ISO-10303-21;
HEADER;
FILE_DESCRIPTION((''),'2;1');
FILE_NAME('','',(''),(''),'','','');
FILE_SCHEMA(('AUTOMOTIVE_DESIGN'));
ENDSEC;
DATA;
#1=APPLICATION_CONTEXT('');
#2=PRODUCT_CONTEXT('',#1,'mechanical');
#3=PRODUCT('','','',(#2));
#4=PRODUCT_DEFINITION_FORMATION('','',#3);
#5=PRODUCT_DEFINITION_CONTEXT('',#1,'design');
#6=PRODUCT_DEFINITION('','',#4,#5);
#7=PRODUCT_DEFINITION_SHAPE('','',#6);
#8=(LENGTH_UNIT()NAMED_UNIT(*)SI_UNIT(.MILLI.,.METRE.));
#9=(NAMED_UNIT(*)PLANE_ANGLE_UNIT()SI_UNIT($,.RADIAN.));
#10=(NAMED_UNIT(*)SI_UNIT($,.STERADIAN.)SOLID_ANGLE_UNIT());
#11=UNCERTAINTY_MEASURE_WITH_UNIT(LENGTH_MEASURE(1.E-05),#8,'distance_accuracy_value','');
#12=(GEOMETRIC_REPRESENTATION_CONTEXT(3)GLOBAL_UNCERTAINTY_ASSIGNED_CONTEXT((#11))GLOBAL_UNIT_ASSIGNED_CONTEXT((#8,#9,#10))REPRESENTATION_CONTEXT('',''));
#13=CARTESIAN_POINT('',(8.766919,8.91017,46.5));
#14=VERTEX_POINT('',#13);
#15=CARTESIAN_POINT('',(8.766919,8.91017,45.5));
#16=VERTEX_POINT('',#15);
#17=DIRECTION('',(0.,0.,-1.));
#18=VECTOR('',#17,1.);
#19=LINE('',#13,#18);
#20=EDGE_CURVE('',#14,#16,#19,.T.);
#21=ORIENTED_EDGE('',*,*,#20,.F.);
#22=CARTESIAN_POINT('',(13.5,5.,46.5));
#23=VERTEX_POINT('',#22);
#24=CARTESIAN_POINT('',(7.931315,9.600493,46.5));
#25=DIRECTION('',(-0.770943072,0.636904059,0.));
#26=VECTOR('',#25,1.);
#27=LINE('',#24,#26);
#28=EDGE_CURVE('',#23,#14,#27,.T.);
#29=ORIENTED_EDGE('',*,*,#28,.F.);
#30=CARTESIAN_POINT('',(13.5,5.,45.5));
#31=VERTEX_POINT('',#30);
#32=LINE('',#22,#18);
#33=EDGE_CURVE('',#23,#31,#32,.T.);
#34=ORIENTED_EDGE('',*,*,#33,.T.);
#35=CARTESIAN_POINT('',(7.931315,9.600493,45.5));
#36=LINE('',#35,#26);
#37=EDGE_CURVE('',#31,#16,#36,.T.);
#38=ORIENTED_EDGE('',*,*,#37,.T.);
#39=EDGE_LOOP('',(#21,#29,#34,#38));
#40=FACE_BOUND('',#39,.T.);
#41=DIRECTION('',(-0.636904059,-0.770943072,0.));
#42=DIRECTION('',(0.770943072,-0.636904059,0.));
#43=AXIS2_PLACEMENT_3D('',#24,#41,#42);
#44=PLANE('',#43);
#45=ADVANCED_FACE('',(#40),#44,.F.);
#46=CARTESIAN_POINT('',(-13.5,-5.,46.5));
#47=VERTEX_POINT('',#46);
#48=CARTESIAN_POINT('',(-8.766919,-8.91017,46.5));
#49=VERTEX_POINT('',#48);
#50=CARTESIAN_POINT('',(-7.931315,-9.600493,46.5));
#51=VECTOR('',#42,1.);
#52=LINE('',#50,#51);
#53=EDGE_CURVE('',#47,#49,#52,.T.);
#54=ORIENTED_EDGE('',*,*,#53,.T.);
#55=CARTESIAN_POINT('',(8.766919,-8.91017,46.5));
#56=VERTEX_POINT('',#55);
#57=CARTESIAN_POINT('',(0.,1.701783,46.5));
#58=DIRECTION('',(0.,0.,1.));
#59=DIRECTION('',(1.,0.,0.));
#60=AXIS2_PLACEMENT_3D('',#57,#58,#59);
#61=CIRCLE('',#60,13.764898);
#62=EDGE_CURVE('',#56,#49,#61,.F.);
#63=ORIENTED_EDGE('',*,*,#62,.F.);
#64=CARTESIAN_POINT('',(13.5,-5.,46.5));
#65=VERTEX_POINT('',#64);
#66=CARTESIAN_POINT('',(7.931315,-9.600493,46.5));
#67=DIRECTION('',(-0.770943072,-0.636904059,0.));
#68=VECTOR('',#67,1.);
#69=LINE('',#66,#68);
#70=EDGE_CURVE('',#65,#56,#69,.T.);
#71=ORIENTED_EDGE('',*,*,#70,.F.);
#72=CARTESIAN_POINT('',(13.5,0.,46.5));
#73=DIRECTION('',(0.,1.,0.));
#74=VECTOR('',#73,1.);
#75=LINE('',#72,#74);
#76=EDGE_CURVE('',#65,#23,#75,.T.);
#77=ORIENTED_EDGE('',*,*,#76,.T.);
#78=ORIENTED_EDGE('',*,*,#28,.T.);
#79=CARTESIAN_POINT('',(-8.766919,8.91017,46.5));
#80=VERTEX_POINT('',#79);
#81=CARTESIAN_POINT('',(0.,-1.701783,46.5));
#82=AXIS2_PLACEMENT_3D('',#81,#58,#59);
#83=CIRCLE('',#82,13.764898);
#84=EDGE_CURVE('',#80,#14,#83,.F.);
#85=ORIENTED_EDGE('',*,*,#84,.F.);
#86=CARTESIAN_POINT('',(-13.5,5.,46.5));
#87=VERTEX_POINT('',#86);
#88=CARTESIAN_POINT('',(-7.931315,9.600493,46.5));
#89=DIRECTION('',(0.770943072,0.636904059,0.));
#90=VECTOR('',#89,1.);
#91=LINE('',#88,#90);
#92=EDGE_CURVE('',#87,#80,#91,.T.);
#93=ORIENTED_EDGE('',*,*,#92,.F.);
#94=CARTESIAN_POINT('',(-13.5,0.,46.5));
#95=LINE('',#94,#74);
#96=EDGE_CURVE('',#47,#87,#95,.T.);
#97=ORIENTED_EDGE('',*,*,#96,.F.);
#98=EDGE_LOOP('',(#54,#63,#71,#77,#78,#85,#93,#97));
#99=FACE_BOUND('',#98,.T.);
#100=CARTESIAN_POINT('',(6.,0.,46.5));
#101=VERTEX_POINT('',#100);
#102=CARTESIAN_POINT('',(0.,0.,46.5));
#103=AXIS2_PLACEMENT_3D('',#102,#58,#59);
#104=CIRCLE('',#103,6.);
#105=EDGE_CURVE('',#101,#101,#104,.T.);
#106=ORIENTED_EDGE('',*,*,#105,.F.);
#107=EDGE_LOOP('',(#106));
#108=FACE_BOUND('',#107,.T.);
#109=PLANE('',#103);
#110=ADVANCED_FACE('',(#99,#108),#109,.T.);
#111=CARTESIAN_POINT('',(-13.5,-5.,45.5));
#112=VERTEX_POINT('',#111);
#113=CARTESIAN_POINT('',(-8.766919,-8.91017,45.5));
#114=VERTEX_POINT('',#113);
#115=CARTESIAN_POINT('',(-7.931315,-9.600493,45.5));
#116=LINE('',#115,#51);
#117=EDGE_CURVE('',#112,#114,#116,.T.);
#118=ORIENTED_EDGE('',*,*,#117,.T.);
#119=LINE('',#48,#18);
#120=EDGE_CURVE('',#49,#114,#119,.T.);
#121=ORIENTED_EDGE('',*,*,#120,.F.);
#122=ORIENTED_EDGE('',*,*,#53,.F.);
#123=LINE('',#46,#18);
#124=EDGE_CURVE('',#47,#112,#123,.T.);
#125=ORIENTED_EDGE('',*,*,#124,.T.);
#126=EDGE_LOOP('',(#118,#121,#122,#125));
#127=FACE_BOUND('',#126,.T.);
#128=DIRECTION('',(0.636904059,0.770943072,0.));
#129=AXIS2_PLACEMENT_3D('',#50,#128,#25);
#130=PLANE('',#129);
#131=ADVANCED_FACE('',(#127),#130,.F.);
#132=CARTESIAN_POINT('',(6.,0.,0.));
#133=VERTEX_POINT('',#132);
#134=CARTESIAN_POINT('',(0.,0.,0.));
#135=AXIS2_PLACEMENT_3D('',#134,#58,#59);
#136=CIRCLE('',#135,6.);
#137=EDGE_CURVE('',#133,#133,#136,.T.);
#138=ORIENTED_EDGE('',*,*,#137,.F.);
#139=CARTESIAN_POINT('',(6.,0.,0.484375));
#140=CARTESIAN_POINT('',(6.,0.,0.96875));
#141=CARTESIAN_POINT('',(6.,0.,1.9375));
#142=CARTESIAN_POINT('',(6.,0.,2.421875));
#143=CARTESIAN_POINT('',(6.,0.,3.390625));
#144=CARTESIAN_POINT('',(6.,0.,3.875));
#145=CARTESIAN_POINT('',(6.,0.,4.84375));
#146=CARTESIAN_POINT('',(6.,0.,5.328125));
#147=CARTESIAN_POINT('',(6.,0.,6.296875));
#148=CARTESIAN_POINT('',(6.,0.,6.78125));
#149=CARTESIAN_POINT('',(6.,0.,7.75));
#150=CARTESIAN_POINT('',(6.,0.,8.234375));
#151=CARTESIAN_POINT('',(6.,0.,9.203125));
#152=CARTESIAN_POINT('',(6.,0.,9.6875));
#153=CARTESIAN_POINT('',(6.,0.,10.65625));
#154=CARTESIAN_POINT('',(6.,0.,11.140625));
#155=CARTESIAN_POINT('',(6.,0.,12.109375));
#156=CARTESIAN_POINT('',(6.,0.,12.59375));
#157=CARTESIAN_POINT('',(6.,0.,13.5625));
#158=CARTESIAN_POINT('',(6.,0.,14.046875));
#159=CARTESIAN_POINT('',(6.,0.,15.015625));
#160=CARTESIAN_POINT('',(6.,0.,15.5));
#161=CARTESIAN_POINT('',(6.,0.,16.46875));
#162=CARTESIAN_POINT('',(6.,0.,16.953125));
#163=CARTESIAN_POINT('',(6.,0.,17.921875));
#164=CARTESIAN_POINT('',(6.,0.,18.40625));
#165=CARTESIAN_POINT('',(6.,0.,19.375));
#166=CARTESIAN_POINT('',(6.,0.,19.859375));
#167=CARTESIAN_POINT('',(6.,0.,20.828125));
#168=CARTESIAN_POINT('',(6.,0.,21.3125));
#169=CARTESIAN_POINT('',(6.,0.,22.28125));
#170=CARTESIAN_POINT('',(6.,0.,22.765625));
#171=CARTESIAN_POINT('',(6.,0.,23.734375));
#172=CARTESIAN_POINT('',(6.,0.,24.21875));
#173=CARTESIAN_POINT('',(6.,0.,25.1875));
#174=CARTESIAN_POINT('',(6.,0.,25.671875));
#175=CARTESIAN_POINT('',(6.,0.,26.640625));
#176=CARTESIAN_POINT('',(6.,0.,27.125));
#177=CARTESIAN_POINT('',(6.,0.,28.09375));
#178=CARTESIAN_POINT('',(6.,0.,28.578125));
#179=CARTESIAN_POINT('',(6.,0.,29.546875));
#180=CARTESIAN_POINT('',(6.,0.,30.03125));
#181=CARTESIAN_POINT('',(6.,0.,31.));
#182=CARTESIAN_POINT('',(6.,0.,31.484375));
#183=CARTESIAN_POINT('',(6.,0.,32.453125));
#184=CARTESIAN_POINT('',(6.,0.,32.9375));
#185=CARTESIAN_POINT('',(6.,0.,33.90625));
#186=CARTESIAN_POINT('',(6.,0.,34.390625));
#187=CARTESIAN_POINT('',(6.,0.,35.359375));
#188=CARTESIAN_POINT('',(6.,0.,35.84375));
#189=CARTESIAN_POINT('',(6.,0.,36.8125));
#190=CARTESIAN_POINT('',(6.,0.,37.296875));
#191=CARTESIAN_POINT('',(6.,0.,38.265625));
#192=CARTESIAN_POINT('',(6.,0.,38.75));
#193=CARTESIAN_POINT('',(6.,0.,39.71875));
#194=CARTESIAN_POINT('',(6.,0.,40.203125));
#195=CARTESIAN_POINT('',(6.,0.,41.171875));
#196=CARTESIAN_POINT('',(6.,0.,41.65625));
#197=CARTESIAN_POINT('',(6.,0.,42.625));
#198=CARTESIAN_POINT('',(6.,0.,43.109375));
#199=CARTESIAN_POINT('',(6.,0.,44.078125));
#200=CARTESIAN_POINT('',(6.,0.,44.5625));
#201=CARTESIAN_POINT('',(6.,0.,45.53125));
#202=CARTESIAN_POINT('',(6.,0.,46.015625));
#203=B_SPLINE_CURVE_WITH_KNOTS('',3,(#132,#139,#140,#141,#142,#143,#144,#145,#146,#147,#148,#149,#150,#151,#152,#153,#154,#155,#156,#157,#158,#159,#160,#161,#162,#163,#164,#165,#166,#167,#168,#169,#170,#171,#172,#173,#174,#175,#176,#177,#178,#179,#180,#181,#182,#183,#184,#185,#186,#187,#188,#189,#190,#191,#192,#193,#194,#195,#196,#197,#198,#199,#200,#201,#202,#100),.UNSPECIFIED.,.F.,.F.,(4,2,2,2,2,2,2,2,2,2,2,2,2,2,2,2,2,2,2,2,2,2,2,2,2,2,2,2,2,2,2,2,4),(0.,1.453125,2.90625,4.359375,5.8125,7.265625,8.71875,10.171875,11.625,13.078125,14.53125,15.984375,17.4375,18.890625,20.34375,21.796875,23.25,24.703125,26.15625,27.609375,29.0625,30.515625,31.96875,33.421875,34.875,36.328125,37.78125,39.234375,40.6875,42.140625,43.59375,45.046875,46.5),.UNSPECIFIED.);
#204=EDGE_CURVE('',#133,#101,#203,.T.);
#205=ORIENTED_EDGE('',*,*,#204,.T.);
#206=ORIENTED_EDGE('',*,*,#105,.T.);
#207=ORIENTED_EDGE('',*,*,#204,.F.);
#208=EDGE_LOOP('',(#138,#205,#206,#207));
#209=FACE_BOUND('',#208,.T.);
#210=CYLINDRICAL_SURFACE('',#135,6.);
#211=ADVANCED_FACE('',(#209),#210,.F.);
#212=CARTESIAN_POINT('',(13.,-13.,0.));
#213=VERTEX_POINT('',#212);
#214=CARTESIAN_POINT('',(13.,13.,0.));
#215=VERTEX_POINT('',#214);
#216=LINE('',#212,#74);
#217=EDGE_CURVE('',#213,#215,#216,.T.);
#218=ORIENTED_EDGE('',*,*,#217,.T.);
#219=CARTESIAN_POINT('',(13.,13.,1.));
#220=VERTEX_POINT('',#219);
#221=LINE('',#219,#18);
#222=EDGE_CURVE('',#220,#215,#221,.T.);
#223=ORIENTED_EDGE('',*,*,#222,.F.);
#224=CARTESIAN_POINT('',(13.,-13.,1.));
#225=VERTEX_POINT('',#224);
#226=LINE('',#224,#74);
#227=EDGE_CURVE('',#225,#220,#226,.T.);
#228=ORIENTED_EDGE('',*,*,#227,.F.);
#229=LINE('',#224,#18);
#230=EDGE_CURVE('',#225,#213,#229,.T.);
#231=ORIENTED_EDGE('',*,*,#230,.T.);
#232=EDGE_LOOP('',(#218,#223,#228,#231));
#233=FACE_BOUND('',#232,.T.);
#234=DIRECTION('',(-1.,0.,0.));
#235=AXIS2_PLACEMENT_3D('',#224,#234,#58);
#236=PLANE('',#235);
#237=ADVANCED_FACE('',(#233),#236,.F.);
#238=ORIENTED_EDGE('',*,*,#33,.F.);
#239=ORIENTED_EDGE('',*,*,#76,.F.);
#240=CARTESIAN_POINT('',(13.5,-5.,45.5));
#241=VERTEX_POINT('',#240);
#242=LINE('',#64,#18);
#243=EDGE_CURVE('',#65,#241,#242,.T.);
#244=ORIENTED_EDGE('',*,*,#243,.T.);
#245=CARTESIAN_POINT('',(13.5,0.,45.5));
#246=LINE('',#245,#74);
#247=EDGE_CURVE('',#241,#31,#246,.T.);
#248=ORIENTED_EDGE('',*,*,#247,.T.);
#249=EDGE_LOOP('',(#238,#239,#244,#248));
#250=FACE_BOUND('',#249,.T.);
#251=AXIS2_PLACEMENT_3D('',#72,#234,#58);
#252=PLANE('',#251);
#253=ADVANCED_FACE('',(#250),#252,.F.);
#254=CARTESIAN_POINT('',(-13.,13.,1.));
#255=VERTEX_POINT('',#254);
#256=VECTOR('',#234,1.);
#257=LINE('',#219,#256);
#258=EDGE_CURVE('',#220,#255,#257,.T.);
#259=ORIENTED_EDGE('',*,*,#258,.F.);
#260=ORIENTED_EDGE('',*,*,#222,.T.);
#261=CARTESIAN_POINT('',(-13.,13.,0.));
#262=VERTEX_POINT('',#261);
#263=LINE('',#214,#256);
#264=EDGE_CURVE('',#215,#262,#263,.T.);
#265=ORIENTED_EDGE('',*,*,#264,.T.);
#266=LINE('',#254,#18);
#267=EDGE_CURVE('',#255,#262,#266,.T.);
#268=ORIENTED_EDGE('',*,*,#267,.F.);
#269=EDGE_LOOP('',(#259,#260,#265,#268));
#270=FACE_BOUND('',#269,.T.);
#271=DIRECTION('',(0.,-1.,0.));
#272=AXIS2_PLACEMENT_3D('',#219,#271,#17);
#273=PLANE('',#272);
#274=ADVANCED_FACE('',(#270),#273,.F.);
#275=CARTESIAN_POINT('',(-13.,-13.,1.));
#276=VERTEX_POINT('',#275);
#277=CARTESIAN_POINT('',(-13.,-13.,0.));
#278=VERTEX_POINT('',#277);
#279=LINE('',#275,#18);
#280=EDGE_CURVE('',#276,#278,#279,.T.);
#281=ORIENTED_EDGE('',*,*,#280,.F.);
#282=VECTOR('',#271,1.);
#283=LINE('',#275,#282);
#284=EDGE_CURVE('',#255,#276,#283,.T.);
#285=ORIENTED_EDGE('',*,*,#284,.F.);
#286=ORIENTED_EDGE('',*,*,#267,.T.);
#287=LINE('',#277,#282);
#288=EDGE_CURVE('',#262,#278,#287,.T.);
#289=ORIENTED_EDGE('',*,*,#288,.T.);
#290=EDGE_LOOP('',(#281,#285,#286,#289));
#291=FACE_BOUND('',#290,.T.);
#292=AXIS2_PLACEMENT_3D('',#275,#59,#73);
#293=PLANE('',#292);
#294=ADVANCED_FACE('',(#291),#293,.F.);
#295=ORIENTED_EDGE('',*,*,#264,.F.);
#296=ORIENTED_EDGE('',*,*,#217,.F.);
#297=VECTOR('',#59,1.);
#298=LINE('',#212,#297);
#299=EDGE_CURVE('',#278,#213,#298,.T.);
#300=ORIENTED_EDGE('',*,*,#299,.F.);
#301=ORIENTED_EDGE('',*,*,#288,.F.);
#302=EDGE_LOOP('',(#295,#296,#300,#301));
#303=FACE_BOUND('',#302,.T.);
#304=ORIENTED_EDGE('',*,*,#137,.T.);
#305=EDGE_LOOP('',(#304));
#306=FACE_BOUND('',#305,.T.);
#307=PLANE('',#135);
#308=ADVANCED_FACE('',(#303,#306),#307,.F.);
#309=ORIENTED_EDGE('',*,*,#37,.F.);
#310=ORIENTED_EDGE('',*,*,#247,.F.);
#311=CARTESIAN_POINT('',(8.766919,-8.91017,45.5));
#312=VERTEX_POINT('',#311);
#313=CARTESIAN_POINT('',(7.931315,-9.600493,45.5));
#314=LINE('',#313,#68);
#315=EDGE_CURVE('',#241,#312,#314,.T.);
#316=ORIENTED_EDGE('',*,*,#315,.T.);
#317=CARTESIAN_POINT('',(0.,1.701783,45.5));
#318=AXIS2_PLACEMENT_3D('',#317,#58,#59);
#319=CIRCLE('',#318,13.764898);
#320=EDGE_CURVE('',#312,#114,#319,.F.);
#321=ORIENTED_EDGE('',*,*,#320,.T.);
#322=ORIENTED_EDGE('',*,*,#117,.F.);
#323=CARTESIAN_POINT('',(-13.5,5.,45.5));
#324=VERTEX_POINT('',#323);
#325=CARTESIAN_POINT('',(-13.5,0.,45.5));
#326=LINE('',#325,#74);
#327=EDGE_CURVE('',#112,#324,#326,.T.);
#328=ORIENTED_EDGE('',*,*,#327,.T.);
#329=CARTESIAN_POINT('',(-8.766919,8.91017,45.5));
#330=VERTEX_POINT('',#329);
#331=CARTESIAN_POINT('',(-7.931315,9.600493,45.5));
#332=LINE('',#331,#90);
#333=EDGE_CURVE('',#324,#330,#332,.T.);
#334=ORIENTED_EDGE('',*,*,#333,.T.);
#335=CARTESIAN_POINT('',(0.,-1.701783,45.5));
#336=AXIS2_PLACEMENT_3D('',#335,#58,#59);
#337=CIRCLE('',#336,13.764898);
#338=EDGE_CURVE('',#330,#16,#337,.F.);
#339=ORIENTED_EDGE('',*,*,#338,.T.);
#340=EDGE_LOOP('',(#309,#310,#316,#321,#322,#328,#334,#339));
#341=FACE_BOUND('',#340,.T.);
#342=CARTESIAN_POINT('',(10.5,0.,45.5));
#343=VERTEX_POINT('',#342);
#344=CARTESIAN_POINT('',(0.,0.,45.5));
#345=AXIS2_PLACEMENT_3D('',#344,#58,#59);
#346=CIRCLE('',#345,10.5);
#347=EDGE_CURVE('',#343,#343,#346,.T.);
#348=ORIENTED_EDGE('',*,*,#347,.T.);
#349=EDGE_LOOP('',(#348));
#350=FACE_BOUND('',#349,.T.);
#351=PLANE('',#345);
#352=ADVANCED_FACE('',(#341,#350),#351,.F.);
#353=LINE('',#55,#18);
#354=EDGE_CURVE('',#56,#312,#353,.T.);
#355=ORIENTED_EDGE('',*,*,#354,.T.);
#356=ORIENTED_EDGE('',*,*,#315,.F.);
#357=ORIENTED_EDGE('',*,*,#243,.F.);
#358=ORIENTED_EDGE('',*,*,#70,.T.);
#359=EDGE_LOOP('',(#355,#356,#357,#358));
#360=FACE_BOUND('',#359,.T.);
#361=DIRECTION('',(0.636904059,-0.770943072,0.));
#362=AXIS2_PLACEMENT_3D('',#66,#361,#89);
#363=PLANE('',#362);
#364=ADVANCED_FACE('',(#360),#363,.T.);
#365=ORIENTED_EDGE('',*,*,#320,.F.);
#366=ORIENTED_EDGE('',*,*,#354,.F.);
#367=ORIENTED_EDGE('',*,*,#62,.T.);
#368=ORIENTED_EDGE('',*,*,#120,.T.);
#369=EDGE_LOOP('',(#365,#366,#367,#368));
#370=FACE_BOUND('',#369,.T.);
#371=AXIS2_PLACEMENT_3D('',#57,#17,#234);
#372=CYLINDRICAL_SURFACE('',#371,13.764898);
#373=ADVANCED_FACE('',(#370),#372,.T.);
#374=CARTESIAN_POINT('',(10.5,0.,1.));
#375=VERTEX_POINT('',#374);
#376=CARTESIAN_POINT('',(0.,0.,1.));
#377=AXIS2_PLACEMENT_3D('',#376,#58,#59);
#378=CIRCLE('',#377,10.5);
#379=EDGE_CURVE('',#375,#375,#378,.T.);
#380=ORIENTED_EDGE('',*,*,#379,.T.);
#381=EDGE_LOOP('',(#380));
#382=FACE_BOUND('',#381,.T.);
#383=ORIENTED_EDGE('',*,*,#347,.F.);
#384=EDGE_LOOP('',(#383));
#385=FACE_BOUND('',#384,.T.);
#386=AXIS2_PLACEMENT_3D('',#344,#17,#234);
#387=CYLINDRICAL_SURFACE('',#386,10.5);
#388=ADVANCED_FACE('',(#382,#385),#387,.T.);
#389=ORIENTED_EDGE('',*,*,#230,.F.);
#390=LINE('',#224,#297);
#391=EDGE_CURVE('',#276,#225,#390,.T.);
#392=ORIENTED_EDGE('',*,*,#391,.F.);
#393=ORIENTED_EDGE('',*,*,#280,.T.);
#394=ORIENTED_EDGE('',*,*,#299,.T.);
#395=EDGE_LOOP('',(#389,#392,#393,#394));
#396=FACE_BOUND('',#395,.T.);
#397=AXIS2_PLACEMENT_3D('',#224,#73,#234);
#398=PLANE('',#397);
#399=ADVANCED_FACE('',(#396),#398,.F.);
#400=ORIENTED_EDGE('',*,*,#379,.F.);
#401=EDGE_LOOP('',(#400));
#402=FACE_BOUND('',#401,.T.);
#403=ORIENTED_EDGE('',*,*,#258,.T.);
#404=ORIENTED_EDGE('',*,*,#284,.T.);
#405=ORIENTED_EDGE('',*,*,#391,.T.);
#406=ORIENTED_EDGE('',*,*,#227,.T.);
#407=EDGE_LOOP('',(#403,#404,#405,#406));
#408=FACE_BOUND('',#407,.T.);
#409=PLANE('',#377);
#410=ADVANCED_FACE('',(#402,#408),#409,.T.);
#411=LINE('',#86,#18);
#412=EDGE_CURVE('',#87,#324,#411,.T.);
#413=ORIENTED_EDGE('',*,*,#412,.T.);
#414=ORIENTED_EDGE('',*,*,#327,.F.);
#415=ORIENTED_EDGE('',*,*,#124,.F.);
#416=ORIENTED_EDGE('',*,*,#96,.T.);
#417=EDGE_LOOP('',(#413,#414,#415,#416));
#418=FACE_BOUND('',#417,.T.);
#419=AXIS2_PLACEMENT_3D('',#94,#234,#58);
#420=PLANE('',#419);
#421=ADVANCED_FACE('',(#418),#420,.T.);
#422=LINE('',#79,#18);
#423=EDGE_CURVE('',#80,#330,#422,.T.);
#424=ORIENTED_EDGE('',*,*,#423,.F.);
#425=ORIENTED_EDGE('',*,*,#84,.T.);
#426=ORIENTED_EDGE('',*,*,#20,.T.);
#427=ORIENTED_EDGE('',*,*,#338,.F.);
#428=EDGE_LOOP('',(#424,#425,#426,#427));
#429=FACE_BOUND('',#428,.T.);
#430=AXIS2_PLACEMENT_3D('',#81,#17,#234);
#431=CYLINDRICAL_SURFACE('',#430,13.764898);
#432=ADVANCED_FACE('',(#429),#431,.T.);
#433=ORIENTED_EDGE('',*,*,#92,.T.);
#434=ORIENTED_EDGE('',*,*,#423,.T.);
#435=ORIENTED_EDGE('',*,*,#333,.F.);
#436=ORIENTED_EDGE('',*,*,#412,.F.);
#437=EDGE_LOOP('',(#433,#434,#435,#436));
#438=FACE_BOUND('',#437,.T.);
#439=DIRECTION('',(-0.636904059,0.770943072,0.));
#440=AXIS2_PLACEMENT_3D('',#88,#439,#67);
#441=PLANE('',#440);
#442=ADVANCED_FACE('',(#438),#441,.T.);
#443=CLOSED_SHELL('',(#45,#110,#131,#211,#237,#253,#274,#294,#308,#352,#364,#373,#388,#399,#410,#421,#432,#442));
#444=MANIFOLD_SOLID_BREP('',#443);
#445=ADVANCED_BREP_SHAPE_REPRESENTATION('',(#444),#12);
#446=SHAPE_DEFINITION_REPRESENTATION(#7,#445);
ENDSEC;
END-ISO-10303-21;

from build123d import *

# Parameters (mm, degrees)
CROQUIS1_W              = 26
CROQUIS1_H              = 26
SALIENTE_EXTRUIR1_DEPTH = 1
CROQUIS2_R              = 10.5
SALIENTE_EXTRUIR2_DEPTH = 44.5
SALIENTE_EXTRUIR3_DEPTH = 1
CROQUIS4_R              = 6
CORTAR_EXTRUIR1_DEPTH   = 51.13481824


with BuildPart() as part:
    # Croquis1 → Saliente-Extruir1 (new body)
    with BuildSketch(Plane.XY):
        Rectangle(CROQUIS1_W, CROQUIS1_H)
    extrude(amount=SALIENTE_EXTRUIR1_DEPTH)

    # Croquis2 → Saliente-Extruir2 (add)
    with BuildSketch(Plane.XY.offset(1)):
        Circle(CROQUIS2_R)
    extrude(amount=SALIENTE_EXTRUIR2_DEPTH)

    # Croquis3 → Saliente-Extruir3 (add)
    with BuildSketch(Plane.XY.offset(45.5)):
        with BuildLine():
            ThreePointArc((10.5, 0), (0, -10.5), (-10.5, 0))
            Line((-10.5, 0), (-13.5, 0))
            Line((-13.5, 0), (-13.5, -5))
            Line((-13.5, -5), (-8.766919396, -8.910169713))
            ThreePointArc((-8.766919396, -8.910169713), (0, -12.063114964), (8.766919396, -8.910169713))
            Line((8.766919396, -8.910169713), (13.5, -5))
            Line((13.5, -5), (13.5, 0))
            Line((13.5, 0), (10.5, 0))
        make_face()
        with BuildLine():
            Line((-13.5, 0), (-10.5, 0))
            ThreePointArc((-10.5, 0), (0, 10.5), (10.5, 0))
            Line((10.5, 0), (13.5, 0))
            Line((13.5, 0), (13.5, 5))
            Line((13.5, 5), (8.766919396, 8.910169713))
            ThreePointArc((8.766919396, 8.910169713), (0, 12.063114964), (-8.766919396, 8.910169713))
            Line((-8.766919396, 8.910169713), (-13.5, 5))
            Line((-13.5, 5), (-13.5, 0))
        make_face()
        with BuildLine():
            Line((10.5, 0), (0, 0))
            Line((0, 0), (-10.5, 0))
            ThreePointArc((-10.5, 0), (0, -10.5), (10.5, 0))
        make_face()
        with BuildLine():
            Line((-10.5, 0), (0, 0))
            Line((0, 0), (10.5, 0))
            ThreePointArc((10.5, 0), (0, 10.5), (-10.5, 0))
        make_face()
    extrude(amount=SALIENTE_EXTRUIR3_DEPTH)

    # Croquis4 → Cortar-Extruir1 (cut, through all)
    with BuildSketch(Plane.XY.offset(46.5)):
        Circle(CROQUIS4_R)
    extrude(amount=-CORTAR_EXTRUIR1_DEPTH, mode=Mode.SUBTRACT)


solid = part.part
